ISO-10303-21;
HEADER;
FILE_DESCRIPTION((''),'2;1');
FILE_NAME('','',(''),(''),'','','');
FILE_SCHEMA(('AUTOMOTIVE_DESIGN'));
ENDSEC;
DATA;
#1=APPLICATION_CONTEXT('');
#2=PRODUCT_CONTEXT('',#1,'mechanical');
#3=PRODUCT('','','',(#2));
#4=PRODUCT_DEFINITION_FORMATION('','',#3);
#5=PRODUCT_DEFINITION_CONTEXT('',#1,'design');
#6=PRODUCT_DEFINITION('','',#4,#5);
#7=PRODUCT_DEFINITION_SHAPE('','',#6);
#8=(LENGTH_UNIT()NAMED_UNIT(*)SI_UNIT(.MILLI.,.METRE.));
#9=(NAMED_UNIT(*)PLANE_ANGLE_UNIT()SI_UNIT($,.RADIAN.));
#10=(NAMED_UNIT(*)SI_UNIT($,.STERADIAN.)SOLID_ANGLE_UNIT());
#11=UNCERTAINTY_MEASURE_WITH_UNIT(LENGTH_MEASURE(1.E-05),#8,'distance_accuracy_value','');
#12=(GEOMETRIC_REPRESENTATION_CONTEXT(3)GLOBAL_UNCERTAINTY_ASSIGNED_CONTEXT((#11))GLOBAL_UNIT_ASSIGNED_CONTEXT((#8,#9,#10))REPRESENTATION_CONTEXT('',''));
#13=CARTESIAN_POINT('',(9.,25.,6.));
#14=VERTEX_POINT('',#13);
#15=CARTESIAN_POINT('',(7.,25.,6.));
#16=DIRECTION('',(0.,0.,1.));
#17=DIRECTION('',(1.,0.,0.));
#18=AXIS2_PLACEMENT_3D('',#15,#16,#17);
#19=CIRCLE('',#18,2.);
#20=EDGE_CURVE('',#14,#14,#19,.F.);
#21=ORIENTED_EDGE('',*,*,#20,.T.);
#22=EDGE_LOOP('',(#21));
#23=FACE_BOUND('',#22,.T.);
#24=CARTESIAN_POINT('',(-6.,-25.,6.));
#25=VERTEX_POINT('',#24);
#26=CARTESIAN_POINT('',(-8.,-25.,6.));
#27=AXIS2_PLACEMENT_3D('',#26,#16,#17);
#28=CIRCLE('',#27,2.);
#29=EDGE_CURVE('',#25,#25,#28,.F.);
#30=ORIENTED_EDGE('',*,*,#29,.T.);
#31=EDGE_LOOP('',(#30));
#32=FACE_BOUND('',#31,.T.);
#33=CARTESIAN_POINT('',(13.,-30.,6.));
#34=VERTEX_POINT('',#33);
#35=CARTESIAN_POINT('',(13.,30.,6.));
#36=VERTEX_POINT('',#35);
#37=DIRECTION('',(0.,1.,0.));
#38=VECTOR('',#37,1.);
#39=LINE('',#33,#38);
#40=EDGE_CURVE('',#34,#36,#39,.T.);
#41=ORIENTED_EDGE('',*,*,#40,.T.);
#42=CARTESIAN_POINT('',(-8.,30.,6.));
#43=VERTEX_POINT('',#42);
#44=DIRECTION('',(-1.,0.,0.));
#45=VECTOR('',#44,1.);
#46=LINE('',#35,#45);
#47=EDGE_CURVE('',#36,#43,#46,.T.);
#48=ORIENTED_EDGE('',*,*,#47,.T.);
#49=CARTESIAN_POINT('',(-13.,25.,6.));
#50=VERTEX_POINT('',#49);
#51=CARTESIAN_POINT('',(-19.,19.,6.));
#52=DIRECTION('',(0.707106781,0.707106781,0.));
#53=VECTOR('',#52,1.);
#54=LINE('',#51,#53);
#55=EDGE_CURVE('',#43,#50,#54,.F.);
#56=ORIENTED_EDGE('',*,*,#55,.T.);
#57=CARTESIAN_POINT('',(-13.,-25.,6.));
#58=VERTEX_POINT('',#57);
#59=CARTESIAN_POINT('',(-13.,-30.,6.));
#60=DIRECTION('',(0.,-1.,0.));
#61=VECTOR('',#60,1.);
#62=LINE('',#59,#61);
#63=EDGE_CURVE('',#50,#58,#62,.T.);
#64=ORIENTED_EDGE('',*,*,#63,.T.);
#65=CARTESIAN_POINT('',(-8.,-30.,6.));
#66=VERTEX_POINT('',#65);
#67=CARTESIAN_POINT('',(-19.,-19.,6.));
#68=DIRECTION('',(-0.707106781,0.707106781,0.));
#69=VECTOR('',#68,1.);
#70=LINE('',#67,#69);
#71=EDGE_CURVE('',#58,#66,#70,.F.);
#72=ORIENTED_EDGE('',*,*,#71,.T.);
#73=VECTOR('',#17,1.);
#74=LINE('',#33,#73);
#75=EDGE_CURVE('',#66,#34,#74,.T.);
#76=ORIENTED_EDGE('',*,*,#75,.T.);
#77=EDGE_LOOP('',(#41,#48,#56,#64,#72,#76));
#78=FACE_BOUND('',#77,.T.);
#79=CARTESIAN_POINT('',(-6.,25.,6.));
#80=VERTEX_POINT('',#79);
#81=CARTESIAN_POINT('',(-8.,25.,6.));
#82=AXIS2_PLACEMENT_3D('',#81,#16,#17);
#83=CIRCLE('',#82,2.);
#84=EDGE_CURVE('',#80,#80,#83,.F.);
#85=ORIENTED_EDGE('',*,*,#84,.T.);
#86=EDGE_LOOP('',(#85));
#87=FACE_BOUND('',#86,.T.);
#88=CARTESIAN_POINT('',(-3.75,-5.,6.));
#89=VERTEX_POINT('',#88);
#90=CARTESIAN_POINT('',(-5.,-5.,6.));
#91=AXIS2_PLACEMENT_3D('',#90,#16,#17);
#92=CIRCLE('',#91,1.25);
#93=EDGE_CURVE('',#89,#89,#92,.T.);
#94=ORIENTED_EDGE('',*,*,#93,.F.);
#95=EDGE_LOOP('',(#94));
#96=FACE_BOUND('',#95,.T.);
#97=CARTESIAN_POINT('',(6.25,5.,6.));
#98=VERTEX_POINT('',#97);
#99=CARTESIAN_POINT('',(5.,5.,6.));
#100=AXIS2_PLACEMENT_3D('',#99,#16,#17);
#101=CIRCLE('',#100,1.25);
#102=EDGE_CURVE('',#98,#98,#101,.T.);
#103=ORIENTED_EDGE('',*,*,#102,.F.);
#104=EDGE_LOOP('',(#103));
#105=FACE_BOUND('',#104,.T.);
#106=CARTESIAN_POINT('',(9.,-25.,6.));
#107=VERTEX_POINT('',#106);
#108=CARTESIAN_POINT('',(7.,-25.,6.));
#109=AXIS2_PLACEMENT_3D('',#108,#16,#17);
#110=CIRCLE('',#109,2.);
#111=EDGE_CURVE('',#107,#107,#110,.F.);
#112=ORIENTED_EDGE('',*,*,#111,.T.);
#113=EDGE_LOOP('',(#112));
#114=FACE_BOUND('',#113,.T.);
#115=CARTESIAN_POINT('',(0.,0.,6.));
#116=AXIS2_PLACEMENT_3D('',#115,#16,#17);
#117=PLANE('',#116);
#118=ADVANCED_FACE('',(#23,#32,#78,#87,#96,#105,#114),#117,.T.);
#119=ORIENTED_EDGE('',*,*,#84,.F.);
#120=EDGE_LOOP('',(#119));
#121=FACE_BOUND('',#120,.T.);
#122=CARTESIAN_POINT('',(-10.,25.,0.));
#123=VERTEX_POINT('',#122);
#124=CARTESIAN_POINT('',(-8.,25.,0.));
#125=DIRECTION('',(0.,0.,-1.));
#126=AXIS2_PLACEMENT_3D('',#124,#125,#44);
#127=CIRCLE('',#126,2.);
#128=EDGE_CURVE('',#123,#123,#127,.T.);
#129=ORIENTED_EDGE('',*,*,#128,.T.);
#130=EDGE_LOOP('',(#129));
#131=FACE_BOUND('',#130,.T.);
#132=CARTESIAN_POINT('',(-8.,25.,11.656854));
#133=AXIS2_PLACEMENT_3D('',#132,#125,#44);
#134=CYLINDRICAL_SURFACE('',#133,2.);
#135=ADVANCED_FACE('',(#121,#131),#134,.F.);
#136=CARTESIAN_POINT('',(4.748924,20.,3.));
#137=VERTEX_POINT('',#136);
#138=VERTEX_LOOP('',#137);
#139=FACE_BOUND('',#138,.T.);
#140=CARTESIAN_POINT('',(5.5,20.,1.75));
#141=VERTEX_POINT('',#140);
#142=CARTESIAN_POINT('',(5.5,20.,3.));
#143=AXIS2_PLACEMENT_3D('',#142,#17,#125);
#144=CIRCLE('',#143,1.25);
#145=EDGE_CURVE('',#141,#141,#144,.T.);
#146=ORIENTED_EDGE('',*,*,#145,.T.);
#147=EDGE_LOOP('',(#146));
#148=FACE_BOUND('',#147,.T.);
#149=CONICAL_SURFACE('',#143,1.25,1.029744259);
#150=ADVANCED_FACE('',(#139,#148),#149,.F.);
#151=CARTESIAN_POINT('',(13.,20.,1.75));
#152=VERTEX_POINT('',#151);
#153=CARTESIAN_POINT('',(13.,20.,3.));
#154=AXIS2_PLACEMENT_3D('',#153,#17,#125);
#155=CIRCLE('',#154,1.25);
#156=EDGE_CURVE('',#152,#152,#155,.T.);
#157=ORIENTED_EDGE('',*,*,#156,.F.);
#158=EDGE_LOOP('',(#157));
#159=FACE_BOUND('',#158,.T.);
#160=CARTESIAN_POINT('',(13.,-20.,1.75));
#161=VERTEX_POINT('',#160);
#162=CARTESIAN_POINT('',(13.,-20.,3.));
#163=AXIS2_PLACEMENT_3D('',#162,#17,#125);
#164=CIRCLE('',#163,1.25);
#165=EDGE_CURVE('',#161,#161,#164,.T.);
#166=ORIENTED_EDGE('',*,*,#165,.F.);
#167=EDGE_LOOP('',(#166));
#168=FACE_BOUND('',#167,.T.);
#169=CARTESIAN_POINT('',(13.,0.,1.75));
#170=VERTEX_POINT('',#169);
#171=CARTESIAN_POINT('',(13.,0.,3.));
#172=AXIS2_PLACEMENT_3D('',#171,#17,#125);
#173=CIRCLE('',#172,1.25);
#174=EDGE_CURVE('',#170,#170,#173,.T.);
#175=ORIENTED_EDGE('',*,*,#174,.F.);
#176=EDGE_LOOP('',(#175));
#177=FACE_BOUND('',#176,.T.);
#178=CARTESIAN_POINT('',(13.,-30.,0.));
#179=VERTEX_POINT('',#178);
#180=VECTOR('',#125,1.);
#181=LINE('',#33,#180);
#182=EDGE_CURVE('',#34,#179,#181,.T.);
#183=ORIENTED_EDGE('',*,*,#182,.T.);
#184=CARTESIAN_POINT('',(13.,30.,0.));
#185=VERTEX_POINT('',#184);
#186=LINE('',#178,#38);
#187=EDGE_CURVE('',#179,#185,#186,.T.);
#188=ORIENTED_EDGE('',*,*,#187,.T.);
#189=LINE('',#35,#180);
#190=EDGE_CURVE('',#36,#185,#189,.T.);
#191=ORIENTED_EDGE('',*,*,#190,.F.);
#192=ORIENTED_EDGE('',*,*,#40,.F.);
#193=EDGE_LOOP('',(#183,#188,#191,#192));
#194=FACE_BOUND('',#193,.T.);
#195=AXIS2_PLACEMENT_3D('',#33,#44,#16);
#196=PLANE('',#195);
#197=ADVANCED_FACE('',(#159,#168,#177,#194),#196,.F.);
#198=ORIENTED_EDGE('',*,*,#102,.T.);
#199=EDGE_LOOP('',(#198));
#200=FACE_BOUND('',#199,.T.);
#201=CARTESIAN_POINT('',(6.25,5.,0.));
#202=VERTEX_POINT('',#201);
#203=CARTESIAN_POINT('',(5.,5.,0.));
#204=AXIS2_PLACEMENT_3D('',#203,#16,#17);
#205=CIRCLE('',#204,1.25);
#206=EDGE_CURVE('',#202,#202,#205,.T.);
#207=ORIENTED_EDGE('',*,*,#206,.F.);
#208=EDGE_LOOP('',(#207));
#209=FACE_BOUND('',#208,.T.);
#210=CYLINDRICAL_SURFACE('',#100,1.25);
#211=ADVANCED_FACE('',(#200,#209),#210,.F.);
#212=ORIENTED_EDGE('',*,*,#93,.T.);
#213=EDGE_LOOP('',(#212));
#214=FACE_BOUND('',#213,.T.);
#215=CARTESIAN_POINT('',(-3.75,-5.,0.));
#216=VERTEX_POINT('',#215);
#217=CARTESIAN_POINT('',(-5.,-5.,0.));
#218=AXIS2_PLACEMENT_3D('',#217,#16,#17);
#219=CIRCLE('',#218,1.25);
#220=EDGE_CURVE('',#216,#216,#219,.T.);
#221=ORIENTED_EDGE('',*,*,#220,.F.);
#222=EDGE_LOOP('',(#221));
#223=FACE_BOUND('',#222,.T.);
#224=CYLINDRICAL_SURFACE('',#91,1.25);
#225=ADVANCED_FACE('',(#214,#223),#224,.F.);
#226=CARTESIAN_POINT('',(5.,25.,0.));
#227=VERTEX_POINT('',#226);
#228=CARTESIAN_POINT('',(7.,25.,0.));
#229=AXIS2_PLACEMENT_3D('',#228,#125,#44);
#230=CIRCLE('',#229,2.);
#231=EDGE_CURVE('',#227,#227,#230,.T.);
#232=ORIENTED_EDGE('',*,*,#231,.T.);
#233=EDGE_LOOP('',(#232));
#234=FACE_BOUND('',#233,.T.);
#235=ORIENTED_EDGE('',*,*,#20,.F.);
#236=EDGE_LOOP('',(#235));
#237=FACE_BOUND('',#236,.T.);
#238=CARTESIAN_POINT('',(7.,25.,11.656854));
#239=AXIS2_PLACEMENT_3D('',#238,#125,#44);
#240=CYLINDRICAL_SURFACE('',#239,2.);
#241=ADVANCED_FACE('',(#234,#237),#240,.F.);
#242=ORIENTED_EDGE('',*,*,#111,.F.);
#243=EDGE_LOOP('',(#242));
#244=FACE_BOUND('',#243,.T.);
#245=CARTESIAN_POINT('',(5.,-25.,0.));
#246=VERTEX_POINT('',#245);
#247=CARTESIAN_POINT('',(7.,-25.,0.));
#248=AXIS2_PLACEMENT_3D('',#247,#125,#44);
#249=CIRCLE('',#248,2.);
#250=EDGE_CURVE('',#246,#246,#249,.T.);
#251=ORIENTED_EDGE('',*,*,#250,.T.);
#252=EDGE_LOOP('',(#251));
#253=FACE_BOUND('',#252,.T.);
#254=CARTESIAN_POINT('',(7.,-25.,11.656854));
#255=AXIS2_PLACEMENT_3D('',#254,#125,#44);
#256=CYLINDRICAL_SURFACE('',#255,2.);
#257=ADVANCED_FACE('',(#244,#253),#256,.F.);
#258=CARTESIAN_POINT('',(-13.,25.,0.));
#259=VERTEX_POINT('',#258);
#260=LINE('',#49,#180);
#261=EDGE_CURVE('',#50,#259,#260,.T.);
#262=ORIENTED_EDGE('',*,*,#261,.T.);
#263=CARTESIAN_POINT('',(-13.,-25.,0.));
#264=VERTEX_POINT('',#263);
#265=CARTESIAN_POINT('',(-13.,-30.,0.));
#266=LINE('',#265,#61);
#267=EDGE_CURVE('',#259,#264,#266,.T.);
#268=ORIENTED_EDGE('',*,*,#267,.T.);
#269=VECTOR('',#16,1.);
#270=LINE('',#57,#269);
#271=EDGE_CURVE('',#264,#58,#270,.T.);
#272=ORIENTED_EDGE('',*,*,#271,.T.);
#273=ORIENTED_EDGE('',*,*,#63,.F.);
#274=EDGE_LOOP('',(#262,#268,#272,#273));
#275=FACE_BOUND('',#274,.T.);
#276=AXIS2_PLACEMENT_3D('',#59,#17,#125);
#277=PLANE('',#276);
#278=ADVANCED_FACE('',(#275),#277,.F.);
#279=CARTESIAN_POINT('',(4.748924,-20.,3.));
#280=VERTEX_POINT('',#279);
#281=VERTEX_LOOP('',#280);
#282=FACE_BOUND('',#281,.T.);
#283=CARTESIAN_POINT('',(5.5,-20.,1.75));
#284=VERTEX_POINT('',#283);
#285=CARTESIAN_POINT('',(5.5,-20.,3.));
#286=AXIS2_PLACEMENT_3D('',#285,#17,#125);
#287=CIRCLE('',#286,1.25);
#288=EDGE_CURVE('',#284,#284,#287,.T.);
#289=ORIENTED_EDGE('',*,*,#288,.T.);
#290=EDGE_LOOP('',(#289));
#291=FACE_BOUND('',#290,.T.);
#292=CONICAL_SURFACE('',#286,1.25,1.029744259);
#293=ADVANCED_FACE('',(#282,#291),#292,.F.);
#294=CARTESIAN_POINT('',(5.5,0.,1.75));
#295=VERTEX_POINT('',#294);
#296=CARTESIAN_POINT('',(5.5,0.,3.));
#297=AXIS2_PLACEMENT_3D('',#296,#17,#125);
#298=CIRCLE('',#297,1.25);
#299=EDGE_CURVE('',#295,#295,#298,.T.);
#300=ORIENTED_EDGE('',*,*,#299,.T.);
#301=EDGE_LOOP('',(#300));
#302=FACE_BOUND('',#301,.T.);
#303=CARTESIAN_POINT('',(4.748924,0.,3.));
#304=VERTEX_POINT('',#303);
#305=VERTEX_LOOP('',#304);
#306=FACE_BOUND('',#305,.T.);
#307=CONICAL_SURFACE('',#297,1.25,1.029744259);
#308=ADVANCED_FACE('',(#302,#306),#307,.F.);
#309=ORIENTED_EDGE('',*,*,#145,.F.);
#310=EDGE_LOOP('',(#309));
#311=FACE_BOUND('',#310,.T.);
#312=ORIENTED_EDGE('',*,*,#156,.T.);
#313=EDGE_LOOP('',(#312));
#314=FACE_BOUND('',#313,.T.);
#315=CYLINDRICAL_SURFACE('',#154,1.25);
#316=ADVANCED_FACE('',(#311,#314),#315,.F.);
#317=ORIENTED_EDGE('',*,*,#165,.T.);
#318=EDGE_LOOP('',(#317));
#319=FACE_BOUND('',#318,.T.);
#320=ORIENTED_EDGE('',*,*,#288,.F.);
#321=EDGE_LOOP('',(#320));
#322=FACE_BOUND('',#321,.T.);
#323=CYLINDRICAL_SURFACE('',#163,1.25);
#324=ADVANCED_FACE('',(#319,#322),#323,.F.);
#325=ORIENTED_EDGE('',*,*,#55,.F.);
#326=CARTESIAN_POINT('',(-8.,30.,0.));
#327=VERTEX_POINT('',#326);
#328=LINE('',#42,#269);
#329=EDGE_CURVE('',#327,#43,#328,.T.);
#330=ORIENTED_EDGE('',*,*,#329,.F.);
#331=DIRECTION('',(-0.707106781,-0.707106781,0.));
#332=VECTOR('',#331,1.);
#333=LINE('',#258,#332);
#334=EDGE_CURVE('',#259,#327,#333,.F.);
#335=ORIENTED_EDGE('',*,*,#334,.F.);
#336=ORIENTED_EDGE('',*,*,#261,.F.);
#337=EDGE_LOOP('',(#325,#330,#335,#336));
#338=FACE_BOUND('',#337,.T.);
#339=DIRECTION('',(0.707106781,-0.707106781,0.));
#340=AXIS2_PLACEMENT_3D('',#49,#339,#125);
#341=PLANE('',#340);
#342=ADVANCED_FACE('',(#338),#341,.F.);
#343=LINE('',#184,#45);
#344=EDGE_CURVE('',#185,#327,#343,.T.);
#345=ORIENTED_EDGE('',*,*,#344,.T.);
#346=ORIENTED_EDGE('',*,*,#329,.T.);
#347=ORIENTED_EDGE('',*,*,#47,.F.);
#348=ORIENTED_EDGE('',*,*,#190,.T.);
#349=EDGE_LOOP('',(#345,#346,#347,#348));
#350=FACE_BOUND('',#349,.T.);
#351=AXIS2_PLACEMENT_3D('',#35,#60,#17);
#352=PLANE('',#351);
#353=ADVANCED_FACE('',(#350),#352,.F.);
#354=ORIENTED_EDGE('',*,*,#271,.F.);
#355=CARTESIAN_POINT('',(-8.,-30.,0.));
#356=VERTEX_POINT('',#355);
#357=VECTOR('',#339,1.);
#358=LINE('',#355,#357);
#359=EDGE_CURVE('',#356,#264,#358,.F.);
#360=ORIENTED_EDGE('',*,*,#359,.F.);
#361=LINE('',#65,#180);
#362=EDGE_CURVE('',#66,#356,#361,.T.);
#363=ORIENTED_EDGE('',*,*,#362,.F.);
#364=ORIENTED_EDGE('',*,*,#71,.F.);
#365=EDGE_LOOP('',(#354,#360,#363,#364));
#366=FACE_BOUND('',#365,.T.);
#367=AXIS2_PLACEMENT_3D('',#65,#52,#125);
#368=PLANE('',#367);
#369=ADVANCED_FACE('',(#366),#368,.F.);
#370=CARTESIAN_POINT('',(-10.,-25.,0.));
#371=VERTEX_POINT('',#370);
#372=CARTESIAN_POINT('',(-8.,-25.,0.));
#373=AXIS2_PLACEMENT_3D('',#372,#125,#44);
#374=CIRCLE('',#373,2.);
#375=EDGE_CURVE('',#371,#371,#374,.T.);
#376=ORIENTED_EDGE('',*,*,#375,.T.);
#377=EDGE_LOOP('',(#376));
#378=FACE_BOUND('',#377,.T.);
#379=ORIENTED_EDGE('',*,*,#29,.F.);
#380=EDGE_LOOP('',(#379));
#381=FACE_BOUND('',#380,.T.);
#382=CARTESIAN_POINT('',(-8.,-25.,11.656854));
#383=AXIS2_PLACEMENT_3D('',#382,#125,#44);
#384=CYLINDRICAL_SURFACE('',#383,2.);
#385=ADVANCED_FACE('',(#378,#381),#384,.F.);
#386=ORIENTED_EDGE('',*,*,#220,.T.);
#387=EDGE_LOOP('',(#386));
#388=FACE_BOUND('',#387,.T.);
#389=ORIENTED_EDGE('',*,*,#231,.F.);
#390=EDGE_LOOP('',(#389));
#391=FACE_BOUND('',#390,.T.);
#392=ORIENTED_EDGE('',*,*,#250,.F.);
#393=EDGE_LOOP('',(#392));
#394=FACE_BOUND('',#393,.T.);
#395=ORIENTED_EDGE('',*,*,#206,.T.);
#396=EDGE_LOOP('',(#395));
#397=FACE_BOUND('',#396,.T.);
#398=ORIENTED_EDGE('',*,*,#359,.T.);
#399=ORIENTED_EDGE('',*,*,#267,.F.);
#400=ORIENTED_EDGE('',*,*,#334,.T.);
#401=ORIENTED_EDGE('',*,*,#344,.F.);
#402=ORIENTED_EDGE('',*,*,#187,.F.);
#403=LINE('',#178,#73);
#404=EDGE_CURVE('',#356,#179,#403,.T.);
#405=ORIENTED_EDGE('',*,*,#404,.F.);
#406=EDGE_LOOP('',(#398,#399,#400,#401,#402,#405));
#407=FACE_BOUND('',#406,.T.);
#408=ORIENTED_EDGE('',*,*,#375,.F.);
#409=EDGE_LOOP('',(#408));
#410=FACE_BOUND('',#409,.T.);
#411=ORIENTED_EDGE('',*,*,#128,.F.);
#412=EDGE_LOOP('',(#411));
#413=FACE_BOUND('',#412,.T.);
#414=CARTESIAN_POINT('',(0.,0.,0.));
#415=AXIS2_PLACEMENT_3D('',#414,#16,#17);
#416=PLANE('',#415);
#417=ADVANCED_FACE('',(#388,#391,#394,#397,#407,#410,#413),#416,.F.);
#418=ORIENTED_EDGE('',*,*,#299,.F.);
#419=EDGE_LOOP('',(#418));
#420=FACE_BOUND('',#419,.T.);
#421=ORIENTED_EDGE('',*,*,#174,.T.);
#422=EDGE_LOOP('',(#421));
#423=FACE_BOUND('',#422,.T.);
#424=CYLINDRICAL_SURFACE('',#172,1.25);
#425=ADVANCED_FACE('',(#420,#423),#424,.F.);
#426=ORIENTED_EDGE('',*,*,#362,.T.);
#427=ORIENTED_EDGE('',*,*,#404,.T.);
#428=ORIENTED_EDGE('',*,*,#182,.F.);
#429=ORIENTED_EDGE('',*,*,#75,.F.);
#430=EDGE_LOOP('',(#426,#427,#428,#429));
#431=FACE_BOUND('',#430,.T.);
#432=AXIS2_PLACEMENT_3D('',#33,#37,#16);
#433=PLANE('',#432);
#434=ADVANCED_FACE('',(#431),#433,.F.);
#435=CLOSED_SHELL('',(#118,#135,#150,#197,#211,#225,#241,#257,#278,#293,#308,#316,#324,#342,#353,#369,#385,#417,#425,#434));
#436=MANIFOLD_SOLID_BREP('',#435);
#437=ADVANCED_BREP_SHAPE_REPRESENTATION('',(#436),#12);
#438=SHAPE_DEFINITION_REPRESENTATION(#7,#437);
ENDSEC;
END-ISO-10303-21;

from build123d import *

# Parameters (mm, degrees)
SKETCH_1_W             = 26
SKETCH_1_H             = 60
EXTRUDE_1_DEPTH        = 6
SKETCH_2_R             = 2
CUT_EXTRUDE_1_DEPTH    = 6
HOLE_WIZARD_M3_1_D     = 2.5
HOLE_WIZARD_M3_1_DEPTH = 7.5
HOLE_WIZARD_M3_1_TIP   = 0.751075774
CHAMFER_1_SIZE         = 5
HOLE_WIZARD_M3_2_D     = 2.5
HOLE_WIZARD_M3_2_DEPTH = 7.5
HOLE_WIZARD_M3_2_TIP   = 0.751075774


with BuildPart() as part:
    # 草图1 → 凸台-拉伸1 (new body)
    with BuildSketch(Plane.XY):
        Rectangle(SKETCH_1_W, SKETCH_1_H)
    extrude(amount=EXTRUDE_1_DEPTH)

    # 草图2 → 切除-拉伸1 (cut)
    with BuildSketch(Plane(origin=(0, 0, 0), x_dir=(-1, 0, 0), z_dir=(0, 0, -1))):
        with Locations((8, -25)):
            Circle(SKETCH_2_R)
        with Locations((-7, -25)):
            Circle(SKETCH_2_R)
        with Locations((8, 25)):
            Circle(SKETCH_2_R)
        with Locations((-7, 25)):
            Circle(SKETCH_2_R)
    extrude(amount=-CUT_EXTRUDE_1_DEPTH, mode=Mode.SUBTRACT)

    # M3 螺纹孔1
    with Locations(Plane(origin=(13, 0, 0), x_dir=(0, 0, -1), z_dir=(1, 0, 0))):
        with Locations((-3, 20), (-3, 0), (-3, -20)):
            Hole(HOLE_WIZARD_M3_1_D / 2, depth=HOLE_WIZARD_M3_1_DEPTH)
            with Locations((0, 0, -(HOLE_WIZARD_M3_1_DEPTH + HOLE_WIZARD_M3_1_TIP / 2))):  # 118° drill point
                Cone(0, HOLE_WIZARD_M3_1_D / 2, HOLE_WIZARD_M3_1_TIP, mode=Mode.SUBTRACT)

    # 倒角1
    chamfer_1_edges = [part.edges().sort_by_distance(p)[0] for p in [
        (-13, 30, 3),
        (-13, -30, 3),
    ]]
    chamfer(chamfer_1_edges, length=CHAMFER_1_SIZE)

    # M3 螺纹孔2
    with Locations(Plane.XY.offset(6)):
        with Locations((5, 5), (-5, -5)):
            Hole(HOLE_WIZARD_M3_2_D / 2, depth=HOLE_WIZARD_M3_2_DEPTH)
            with Locations((0, 0, -(HOLE_WIZARD_M3_2_DEPTH + HOLE_WIZARD_M3_2_TIP / 2))):  # 118° drill point
                Cone(0, HOLE_WIZARD_M3_2_D / 2, HOLE_WIZARD_M3_2_TIP, mode=Mode.SUBTRACT)


solid = part.part
